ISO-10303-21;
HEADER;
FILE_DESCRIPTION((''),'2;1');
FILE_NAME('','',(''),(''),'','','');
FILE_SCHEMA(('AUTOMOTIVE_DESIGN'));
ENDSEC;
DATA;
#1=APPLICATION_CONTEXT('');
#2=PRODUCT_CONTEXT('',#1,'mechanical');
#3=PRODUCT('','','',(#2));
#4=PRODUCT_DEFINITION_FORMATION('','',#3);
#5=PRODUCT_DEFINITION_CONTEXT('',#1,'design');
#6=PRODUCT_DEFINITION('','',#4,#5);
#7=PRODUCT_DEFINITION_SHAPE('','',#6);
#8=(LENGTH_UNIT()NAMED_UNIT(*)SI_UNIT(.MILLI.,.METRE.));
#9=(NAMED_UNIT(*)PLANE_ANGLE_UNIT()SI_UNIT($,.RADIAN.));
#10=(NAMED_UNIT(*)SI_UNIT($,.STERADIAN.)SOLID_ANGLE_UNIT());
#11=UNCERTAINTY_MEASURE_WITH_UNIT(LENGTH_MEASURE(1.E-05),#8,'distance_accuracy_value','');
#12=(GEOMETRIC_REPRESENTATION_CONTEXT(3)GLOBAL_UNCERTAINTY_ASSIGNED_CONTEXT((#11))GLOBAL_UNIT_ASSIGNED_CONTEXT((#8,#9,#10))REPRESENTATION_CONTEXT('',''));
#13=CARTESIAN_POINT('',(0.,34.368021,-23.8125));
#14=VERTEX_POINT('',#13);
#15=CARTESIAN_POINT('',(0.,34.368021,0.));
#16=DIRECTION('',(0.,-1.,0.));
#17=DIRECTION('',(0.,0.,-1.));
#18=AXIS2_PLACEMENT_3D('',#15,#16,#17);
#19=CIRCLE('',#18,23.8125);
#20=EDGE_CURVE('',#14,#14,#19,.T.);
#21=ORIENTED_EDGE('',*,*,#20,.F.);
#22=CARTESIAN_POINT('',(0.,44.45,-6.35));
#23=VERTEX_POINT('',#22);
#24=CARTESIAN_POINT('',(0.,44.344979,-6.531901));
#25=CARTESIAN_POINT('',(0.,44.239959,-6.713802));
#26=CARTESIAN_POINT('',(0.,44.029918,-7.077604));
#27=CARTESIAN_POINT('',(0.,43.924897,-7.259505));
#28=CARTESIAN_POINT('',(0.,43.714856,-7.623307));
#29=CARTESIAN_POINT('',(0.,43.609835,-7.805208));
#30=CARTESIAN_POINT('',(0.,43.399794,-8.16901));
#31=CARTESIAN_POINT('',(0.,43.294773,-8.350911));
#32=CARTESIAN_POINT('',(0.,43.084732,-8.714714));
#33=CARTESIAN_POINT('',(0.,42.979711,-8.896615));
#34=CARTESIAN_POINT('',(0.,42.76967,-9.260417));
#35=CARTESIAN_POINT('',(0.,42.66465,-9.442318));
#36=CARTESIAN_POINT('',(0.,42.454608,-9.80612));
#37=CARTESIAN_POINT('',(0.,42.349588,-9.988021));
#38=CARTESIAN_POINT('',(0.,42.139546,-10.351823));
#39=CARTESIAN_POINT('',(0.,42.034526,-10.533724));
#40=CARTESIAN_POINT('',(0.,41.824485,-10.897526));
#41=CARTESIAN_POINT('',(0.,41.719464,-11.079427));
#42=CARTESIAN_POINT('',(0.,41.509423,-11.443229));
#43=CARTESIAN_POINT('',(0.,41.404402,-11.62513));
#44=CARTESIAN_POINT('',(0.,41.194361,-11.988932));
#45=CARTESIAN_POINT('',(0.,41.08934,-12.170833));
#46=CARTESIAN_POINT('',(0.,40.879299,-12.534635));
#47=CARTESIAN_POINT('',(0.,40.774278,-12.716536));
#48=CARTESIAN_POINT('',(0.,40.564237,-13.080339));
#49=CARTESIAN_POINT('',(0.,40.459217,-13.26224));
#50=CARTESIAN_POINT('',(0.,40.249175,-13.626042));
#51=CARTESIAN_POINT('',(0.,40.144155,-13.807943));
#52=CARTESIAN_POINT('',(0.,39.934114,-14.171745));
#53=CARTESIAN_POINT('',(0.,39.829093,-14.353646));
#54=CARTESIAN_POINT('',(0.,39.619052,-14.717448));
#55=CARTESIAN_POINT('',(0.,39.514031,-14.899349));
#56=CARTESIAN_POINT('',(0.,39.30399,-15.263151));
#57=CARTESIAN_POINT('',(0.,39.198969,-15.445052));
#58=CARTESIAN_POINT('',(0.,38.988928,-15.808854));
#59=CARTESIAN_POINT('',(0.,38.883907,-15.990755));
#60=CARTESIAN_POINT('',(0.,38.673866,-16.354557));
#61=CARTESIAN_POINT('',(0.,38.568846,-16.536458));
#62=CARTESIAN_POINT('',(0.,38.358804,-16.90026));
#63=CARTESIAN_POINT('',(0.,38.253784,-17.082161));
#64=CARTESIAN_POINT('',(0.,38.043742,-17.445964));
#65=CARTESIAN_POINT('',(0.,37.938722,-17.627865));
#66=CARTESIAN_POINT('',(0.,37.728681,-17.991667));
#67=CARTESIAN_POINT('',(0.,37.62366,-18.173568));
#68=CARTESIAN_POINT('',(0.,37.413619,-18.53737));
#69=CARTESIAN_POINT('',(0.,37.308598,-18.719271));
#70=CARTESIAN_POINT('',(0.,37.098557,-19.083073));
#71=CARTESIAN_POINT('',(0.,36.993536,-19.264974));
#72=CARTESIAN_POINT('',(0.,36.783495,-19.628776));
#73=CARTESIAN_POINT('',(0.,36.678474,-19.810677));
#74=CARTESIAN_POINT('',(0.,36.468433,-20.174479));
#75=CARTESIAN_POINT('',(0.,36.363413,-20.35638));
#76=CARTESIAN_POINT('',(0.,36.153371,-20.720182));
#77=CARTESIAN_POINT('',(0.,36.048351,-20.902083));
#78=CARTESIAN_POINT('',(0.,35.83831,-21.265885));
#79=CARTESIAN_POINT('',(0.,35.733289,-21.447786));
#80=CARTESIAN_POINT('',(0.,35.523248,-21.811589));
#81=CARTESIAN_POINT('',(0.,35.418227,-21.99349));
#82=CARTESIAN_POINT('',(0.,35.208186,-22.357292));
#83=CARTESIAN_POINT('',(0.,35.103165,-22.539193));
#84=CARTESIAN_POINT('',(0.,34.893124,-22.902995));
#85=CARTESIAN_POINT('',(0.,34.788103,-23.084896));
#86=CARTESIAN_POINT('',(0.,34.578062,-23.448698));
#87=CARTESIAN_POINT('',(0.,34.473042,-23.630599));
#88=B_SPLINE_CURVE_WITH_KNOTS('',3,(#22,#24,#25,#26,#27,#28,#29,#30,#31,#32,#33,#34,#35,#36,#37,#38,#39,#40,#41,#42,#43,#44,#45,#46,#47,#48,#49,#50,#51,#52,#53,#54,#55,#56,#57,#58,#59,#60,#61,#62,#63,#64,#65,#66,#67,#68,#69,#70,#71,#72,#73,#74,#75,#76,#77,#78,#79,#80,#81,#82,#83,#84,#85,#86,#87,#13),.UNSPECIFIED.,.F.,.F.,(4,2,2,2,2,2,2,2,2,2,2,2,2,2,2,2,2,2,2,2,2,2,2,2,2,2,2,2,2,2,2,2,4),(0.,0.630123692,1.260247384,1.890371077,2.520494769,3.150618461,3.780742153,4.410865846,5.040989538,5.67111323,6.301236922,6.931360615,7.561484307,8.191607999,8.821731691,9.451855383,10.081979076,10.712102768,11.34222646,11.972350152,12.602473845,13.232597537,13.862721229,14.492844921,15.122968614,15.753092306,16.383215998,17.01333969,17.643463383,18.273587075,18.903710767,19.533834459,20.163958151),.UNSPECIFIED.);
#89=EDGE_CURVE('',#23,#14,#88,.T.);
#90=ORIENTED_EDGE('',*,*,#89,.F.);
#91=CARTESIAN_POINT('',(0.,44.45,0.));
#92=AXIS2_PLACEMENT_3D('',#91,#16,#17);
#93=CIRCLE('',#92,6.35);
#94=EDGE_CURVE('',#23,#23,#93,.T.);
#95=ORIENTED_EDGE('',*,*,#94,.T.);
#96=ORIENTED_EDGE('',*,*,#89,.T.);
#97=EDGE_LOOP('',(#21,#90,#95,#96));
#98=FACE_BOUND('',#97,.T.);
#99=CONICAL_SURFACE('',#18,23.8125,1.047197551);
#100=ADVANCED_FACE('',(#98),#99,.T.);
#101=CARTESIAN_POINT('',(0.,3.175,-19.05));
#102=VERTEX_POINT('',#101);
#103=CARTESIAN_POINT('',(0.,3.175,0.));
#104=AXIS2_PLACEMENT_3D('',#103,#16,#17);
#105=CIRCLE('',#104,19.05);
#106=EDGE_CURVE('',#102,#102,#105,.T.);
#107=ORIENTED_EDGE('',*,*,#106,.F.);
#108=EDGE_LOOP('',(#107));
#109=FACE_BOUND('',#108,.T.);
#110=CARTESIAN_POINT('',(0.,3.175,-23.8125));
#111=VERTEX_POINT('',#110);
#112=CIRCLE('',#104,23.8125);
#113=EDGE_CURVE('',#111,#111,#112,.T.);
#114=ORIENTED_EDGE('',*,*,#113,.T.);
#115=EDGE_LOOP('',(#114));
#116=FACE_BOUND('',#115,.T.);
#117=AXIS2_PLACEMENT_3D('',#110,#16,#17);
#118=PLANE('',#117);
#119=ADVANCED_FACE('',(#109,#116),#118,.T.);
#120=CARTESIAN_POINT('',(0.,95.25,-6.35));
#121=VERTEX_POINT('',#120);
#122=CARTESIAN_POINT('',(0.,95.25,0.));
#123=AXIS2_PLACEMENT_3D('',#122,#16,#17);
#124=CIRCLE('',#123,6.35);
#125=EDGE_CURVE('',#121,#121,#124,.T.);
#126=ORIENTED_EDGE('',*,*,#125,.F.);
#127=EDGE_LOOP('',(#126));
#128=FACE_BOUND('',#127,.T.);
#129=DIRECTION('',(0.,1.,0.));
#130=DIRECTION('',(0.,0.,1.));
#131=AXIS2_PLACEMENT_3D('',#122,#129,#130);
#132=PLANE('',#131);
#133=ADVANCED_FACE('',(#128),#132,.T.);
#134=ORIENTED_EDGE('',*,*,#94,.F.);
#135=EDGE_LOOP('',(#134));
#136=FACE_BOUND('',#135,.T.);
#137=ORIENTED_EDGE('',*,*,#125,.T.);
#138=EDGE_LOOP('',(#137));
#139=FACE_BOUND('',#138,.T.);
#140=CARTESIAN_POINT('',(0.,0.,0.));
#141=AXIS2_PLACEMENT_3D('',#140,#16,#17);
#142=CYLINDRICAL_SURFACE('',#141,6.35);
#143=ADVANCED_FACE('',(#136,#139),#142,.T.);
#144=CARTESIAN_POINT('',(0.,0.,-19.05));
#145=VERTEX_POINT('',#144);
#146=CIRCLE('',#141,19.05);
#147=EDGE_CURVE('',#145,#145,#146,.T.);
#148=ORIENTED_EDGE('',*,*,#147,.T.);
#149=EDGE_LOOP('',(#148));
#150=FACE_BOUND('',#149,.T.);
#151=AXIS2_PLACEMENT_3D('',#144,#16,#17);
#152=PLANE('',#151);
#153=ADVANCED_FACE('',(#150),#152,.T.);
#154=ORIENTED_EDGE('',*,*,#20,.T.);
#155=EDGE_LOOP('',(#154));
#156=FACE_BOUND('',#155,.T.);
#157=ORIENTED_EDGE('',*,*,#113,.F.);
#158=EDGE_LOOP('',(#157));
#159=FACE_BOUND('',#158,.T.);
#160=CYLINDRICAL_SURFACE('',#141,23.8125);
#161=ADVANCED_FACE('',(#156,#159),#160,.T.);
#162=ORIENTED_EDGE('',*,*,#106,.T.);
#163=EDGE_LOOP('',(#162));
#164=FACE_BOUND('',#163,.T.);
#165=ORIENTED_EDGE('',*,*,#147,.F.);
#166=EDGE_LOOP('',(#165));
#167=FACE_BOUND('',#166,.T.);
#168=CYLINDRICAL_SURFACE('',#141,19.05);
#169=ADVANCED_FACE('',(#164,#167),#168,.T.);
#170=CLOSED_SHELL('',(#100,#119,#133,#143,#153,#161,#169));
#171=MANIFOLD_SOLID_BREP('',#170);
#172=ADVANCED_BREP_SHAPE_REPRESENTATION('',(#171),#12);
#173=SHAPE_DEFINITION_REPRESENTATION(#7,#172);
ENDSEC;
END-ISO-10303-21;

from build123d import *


with BuildPart() as part:
    # Sketch1 → Revolve1 (revolve)
    with BuildSketch(Plane(origin=(0, 0, 0), x_dir=(0, 0, -1), z_dir=(1, 0, 0))):
        Polygon((0, 95.25), (6.35, 95.25), (6.35, 44.45), (23.8125, 34.368020924), (23.8125, 3.175), (19.05, 3.175), (19.05, 0), (0, 0), align=None)
    revolve(axis=Axis((0, 0, 0), (0, 1, 0)))


solid = part.part
